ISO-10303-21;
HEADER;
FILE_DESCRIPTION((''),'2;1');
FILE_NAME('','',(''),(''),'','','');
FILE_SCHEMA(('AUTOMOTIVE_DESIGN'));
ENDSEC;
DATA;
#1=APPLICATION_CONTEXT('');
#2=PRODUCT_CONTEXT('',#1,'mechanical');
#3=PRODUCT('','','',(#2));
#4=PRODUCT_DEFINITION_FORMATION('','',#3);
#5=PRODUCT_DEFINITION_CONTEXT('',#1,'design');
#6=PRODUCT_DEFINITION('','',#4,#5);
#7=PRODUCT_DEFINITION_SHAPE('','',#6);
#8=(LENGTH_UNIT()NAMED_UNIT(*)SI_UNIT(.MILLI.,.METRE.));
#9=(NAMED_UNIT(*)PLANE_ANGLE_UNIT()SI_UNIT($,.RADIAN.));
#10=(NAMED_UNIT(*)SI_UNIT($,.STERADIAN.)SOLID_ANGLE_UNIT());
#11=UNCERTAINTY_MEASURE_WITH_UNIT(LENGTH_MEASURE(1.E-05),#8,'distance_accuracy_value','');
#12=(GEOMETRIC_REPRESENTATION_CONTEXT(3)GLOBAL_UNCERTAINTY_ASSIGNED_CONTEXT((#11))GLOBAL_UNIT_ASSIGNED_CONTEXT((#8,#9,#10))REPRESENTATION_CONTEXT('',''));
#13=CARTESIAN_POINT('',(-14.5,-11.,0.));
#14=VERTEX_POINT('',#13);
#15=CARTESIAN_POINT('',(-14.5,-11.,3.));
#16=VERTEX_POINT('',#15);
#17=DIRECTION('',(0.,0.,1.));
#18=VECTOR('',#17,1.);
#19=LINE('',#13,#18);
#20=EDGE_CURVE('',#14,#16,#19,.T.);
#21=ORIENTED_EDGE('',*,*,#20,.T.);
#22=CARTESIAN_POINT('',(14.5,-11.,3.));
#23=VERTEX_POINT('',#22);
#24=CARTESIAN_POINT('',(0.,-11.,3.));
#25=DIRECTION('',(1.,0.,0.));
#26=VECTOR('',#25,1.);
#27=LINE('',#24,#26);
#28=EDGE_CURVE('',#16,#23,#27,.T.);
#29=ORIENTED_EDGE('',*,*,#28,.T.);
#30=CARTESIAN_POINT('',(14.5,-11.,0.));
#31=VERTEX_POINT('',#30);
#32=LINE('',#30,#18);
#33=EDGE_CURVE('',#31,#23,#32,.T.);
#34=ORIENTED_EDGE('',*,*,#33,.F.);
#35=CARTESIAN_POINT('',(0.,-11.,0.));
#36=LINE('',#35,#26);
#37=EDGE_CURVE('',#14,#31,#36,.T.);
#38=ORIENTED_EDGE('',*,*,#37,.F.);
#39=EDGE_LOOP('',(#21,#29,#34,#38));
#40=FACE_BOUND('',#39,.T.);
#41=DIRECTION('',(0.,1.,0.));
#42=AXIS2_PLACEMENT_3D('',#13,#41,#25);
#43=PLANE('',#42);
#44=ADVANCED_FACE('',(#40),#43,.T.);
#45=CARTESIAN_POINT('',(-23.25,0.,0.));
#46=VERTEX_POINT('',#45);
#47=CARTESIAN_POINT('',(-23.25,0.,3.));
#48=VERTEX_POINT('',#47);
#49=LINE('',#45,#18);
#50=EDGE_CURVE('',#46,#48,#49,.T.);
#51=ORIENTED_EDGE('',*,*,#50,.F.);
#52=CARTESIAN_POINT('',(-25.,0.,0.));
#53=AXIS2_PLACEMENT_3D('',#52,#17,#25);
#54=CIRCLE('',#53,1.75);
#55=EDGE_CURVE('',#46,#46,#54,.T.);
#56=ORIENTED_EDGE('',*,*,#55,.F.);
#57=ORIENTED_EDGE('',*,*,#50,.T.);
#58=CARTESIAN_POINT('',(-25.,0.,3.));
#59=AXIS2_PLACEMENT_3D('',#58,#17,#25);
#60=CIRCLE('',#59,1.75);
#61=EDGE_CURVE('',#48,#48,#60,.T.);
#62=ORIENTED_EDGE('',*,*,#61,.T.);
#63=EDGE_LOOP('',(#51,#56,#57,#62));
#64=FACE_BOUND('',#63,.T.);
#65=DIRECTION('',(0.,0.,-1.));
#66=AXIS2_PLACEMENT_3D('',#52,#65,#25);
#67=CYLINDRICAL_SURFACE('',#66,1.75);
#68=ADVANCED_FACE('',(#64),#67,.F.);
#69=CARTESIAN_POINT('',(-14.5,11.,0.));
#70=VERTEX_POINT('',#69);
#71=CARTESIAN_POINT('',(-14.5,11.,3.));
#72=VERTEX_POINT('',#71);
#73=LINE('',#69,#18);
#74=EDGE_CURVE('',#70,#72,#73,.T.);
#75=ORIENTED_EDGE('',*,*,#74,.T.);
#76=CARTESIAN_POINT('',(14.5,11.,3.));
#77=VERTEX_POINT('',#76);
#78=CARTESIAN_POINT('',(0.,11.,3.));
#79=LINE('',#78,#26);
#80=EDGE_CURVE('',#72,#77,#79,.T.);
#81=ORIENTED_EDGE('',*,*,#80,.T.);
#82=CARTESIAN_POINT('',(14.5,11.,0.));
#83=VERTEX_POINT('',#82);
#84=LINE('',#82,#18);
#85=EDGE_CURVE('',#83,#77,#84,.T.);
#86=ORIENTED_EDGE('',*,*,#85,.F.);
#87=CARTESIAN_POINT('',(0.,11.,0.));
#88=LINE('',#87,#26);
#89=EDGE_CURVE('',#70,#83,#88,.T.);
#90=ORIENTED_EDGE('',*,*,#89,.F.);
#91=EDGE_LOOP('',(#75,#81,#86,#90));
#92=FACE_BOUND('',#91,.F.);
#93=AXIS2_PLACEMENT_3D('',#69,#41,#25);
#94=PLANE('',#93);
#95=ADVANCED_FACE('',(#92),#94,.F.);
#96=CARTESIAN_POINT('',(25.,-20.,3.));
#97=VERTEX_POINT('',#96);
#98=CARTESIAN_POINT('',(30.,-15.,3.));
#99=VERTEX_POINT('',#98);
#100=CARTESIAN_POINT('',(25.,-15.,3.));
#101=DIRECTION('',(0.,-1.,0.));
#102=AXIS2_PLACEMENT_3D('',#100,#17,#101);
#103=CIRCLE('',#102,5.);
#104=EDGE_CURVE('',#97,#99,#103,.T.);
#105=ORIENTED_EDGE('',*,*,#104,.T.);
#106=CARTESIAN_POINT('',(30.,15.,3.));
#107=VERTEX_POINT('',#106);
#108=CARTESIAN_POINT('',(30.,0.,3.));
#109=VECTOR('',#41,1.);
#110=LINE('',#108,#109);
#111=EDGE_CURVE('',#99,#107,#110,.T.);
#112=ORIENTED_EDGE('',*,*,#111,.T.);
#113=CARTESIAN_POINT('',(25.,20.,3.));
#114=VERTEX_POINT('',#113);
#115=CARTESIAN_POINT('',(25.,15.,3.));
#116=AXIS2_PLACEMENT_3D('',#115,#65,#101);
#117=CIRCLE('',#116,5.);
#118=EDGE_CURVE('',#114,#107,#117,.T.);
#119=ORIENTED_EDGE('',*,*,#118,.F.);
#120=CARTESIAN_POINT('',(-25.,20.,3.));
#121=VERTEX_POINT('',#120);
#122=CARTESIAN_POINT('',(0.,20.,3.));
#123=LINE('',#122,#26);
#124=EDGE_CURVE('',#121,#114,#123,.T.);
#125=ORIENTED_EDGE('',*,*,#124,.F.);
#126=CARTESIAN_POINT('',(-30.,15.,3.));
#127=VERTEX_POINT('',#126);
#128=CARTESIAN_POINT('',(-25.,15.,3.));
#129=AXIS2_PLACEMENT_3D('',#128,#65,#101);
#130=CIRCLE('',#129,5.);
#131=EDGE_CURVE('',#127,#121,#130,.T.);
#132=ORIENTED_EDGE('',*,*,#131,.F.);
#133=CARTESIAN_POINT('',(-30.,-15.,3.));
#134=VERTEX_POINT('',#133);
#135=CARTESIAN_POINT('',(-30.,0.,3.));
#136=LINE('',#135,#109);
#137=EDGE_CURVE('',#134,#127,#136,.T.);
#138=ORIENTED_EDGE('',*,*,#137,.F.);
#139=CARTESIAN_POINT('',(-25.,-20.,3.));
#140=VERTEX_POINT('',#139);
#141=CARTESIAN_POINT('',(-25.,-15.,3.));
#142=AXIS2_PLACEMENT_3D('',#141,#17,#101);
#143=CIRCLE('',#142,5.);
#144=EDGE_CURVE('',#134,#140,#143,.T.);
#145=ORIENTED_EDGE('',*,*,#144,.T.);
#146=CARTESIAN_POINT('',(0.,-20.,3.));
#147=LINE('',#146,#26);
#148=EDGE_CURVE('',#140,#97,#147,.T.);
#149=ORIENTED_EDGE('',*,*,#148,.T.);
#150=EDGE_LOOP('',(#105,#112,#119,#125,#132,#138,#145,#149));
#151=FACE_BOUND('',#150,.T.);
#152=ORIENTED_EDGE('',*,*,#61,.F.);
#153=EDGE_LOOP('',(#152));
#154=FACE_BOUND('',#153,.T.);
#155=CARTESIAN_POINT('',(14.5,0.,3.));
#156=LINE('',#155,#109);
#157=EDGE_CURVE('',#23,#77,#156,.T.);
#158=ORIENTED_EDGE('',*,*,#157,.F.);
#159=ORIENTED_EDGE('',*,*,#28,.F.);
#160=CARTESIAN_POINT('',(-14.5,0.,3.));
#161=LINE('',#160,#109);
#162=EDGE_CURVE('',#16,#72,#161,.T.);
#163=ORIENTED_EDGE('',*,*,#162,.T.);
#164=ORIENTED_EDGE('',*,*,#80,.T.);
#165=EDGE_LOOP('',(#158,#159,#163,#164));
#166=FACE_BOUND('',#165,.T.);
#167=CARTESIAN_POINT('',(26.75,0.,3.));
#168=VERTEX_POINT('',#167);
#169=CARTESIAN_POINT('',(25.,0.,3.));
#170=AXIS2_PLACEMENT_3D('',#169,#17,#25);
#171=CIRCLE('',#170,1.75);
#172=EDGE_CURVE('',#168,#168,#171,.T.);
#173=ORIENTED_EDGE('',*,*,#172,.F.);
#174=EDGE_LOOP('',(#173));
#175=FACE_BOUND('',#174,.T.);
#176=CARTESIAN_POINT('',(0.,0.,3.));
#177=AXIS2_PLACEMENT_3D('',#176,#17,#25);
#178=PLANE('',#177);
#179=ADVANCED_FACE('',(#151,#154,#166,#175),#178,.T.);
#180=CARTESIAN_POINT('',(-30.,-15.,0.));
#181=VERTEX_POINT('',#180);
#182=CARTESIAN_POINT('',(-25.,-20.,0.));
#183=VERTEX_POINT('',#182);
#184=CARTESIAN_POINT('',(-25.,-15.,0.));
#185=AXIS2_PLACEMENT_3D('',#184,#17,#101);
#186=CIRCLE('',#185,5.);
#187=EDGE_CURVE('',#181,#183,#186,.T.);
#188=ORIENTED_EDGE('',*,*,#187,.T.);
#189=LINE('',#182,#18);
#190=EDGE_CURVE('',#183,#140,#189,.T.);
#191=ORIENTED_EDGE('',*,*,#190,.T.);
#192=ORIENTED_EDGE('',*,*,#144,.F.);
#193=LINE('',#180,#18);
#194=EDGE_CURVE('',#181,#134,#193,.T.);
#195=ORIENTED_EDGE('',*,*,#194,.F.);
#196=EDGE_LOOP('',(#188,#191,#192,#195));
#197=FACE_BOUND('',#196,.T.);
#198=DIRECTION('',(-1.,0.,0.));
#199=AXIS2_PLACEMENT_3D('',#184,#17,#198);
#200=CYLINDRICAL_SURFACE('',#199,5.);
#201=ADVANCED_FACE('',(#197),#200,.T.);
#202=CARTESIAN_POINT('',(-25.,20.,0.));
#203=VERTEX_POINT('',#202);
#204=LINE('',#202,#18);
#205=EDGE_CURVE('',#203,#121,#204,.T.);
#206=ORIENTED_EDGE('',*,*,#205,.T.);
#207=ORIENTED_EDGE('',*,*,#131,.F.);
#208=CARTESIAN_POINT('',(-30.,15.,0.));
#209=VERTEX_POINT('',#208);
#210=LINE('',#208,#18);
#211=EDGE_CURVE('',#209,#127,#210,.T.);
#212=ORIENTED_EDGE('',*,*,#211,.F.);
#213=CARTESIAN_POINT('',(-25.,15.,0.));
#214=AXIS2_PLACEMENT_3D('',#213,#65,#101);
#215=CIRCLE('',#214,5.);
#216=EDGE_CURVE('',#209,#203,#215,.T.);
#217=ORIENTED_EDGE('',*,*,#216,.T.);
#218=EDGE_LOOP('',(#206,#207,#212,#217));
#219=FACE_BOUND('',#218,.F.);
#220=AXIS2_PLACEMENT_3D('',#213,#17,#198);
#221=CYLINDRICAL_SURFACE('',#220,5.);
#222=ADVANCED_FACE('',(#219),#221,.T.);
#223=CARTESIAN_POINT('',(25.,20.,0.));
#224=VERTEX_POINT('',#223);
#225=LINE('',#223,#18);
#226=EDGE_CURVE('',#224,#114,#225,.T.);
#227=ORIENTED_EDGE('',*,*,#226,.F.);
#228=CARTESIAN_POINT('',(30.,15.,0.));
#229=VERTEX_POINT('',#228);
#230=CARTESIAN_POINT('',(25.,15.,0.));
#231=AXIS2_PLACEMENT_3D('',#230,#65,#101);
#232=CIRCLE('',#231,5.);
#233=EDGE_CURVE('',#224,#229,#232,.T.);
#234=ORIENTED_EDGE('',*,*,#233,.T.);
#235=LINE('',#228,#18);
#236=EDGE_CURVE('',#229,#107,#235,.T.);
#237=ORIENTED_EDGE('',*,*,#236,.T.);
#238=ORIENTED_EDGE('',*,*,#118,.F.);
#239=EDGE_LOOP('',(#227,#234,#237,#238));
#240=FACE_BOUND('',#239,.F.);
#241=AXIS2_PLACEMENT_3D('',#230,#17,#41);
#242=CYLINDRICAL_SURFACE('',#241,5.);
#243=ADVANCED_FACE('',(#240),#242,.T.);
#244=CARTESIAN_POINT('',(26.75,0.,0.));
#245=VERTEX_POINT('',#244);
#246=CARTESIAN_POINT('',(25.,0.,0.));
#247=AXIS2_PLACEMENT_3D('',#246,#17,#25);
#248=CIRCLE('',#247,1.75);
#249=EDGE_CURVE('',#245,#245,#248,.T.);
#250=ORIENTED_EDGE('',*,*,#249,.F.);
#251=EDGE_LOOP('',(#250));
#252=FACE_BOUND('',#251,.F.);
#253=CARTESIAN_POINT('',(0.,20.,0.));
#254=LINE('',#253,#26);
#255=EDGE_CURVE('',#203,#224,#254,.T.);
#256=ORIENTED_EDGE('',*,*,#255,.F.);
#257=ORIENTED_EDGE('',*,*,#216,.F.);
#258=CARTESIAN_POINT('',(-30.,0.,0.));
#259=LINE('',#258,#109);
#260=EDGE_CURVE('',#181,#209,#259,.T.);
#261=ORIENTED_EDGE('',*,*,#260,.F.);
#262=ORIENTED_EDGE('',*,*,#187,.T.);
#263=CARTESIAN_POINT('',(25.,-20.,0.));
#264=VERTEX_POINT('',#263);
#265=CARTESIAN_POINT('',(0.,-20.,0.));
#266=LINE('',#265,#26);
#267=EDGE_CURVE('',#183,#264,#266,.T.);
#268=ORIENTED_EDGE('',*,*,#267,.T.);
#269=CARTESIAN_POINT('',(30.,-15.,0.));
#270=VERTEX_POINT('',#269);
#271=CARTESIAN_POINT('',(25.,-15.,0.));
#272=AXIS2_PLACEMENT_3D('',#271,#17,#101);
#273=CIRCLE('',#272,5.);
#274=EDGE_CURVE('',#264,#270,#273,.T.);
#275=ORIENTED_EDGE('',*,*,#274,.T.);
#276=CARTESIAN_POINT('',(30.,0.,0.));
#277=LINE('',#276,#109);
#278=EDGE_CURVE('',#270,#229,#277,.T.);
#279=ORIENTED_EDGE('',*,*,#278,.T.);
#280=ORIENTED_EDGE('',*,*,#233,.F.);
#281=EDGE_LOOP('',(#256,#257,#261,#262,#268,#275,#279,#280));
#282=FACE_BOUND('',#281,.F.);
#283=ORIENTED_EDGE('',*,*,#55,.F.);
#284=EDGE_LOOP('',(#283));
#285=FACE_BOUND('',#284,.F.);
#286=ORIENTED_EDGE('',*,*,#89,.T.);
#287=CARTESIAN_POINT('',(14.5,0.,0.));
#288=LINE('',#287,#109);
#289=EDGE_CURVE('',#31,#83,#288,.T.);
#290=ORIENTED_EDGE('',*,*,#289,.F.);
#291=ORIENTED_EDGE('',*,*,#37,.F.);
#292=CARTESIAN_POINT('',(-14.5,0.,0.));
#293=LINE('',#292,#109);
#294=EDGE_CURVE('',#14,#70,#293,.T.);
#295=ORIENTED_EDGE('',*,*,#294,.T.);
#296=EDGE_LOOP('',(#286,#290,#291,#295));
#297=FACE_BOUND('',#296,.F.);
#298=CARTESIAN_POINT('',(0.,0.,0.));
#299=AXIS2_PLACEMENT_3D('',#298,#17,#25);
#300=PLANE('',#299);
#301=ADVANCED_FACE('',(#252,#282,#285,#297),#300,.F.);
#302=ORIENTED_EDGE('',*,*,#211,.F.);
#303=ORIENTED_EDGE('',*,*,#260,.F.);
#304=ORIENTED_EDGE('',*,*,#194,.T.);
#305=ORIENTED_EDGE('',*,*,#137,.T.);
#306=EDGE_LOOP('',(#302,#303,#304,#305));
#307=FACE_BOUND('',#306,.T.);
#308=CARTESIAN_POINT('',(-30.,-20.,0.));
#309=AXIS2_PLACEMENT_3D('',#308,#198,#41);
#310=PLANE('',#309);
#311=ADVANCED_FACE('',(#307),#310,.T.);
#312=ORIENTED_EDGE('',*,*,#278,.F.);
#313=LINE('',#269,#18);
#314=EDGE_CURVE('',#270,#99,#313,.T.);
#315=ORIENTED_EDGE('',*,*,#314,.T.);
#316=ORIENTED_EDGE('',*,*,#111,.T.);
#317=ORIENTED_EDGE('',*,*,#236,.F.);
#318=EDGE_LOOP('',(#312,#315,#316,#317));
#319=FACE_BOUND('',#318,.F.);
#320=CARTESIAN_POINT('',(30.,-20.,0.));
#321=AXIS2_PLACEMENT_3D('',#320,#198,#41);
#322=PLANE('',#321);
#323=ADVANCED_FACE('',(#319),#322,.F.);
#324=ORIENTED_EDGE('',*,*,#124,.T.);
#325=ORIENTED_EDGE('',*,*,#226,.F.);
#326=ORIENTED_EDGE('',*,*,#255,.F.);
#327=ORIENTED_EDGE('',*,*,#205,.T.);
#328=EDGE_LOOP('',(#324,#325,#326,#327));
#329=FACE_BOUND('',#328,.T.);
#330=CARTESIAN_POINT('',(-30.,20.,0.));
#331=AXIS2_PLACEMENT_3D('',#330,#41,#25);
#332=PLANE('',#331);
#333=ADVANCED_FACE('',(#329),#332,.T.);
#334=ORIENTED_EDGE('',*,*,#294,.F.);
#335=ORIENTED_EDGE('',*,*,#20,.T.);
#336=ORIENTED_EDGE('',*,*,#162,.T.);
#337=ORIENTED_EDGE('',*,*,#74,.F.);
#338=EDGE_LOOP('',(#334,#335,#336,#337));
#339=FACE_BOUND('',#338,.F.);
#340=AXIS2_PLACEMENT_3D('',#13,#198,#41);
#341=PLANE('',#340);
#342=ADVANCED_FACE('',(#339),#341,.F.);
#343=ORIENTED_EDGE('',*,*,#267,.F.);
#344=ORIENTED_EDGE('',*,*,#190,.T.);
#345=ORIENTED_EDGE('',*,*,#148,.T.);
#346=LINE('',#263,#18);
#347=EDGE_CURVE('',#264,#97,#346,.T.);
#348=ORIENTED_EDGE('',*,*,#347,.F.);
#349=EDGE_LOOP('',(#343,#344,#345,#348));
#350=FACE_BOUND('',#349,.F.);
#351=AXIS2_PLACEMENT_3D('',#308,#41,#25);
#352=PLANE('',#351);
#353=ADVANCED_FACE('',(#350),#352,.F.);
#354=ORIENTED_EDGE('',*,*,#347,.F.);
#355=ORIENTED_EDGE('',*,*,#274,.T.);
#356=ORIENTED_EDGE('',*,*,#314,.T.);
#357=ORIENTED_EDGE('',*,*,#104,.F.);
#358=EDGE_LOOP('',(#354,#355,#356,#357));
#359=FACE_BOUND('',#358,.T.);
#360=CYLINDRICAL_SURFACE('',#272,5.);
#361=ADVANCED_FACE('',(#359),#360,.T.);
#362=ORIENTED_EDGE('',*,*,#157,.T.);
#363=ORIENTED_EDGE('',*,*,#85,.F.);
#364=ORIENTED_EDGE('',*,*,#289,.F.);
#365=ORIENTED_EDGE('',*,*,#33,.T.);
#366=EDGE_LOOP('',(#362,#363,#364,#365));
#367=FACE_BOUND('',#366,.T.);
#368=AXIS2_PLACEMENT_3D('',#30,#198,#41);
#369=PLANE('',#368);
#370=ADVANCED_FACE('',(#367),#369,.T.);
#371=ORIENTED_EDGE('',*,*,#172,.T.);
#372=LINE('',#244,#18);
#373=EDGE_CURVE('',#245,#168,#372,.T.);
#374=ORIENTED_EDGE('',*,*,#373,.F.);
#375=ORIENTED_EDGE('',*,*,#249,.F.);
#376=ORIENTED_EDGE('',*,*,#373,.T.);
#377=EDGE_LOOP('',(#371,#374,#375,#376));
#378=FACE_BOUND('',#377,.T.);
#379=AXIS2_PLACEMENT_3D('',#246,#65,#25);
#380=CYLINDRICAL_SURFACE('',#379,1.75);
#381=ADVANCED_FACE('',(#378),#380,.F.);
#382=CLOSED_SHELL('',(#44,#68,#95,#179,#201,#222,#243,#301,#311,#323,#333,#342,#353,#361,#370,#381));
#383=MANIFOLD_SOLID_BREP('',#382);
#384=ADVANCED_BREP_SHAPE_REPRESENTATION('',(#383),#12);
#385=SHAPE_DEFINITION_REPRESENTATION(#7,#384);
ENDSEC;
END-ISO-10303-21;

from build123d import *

# Parameters (mm, degrees)
F0_W     = 60
F0_H     = 40
F0_R     = 1.75
F0_W_2   = 29
F0_H_2   = 22
F1_DEPTH = 3
F2_R     = 5


with BuildPart() as f1:
    # F0 (on Top) → F1 (new body)
    with BuildSketch(Plane.XY):
        Rectangle(F0_W, F0_H)
        with Locations((-25, 0)):
            Circle(F0_R, mode=Mode.SUBTRACT)
        Rectangle(F0_W_2, F0_H_2, mode=Mode.SUBTRACT)
        with Locations((25, 0)):
            Circle(F0_R, mode=Mode.SUBTRACT)
    extrude(amount=F1_DEPTH)

    # F2
    f2_edges = [f1.edges().sort_by_distance(p)[0] for p in [
        (-30, -20, 1.5),
        (-30, 20, 1.5),
        (30, 20, 1.5),
        (30, -20, 1.5),
    ]]
    fillet(f2_edges, radius=F2_R)


solid = f1.part
